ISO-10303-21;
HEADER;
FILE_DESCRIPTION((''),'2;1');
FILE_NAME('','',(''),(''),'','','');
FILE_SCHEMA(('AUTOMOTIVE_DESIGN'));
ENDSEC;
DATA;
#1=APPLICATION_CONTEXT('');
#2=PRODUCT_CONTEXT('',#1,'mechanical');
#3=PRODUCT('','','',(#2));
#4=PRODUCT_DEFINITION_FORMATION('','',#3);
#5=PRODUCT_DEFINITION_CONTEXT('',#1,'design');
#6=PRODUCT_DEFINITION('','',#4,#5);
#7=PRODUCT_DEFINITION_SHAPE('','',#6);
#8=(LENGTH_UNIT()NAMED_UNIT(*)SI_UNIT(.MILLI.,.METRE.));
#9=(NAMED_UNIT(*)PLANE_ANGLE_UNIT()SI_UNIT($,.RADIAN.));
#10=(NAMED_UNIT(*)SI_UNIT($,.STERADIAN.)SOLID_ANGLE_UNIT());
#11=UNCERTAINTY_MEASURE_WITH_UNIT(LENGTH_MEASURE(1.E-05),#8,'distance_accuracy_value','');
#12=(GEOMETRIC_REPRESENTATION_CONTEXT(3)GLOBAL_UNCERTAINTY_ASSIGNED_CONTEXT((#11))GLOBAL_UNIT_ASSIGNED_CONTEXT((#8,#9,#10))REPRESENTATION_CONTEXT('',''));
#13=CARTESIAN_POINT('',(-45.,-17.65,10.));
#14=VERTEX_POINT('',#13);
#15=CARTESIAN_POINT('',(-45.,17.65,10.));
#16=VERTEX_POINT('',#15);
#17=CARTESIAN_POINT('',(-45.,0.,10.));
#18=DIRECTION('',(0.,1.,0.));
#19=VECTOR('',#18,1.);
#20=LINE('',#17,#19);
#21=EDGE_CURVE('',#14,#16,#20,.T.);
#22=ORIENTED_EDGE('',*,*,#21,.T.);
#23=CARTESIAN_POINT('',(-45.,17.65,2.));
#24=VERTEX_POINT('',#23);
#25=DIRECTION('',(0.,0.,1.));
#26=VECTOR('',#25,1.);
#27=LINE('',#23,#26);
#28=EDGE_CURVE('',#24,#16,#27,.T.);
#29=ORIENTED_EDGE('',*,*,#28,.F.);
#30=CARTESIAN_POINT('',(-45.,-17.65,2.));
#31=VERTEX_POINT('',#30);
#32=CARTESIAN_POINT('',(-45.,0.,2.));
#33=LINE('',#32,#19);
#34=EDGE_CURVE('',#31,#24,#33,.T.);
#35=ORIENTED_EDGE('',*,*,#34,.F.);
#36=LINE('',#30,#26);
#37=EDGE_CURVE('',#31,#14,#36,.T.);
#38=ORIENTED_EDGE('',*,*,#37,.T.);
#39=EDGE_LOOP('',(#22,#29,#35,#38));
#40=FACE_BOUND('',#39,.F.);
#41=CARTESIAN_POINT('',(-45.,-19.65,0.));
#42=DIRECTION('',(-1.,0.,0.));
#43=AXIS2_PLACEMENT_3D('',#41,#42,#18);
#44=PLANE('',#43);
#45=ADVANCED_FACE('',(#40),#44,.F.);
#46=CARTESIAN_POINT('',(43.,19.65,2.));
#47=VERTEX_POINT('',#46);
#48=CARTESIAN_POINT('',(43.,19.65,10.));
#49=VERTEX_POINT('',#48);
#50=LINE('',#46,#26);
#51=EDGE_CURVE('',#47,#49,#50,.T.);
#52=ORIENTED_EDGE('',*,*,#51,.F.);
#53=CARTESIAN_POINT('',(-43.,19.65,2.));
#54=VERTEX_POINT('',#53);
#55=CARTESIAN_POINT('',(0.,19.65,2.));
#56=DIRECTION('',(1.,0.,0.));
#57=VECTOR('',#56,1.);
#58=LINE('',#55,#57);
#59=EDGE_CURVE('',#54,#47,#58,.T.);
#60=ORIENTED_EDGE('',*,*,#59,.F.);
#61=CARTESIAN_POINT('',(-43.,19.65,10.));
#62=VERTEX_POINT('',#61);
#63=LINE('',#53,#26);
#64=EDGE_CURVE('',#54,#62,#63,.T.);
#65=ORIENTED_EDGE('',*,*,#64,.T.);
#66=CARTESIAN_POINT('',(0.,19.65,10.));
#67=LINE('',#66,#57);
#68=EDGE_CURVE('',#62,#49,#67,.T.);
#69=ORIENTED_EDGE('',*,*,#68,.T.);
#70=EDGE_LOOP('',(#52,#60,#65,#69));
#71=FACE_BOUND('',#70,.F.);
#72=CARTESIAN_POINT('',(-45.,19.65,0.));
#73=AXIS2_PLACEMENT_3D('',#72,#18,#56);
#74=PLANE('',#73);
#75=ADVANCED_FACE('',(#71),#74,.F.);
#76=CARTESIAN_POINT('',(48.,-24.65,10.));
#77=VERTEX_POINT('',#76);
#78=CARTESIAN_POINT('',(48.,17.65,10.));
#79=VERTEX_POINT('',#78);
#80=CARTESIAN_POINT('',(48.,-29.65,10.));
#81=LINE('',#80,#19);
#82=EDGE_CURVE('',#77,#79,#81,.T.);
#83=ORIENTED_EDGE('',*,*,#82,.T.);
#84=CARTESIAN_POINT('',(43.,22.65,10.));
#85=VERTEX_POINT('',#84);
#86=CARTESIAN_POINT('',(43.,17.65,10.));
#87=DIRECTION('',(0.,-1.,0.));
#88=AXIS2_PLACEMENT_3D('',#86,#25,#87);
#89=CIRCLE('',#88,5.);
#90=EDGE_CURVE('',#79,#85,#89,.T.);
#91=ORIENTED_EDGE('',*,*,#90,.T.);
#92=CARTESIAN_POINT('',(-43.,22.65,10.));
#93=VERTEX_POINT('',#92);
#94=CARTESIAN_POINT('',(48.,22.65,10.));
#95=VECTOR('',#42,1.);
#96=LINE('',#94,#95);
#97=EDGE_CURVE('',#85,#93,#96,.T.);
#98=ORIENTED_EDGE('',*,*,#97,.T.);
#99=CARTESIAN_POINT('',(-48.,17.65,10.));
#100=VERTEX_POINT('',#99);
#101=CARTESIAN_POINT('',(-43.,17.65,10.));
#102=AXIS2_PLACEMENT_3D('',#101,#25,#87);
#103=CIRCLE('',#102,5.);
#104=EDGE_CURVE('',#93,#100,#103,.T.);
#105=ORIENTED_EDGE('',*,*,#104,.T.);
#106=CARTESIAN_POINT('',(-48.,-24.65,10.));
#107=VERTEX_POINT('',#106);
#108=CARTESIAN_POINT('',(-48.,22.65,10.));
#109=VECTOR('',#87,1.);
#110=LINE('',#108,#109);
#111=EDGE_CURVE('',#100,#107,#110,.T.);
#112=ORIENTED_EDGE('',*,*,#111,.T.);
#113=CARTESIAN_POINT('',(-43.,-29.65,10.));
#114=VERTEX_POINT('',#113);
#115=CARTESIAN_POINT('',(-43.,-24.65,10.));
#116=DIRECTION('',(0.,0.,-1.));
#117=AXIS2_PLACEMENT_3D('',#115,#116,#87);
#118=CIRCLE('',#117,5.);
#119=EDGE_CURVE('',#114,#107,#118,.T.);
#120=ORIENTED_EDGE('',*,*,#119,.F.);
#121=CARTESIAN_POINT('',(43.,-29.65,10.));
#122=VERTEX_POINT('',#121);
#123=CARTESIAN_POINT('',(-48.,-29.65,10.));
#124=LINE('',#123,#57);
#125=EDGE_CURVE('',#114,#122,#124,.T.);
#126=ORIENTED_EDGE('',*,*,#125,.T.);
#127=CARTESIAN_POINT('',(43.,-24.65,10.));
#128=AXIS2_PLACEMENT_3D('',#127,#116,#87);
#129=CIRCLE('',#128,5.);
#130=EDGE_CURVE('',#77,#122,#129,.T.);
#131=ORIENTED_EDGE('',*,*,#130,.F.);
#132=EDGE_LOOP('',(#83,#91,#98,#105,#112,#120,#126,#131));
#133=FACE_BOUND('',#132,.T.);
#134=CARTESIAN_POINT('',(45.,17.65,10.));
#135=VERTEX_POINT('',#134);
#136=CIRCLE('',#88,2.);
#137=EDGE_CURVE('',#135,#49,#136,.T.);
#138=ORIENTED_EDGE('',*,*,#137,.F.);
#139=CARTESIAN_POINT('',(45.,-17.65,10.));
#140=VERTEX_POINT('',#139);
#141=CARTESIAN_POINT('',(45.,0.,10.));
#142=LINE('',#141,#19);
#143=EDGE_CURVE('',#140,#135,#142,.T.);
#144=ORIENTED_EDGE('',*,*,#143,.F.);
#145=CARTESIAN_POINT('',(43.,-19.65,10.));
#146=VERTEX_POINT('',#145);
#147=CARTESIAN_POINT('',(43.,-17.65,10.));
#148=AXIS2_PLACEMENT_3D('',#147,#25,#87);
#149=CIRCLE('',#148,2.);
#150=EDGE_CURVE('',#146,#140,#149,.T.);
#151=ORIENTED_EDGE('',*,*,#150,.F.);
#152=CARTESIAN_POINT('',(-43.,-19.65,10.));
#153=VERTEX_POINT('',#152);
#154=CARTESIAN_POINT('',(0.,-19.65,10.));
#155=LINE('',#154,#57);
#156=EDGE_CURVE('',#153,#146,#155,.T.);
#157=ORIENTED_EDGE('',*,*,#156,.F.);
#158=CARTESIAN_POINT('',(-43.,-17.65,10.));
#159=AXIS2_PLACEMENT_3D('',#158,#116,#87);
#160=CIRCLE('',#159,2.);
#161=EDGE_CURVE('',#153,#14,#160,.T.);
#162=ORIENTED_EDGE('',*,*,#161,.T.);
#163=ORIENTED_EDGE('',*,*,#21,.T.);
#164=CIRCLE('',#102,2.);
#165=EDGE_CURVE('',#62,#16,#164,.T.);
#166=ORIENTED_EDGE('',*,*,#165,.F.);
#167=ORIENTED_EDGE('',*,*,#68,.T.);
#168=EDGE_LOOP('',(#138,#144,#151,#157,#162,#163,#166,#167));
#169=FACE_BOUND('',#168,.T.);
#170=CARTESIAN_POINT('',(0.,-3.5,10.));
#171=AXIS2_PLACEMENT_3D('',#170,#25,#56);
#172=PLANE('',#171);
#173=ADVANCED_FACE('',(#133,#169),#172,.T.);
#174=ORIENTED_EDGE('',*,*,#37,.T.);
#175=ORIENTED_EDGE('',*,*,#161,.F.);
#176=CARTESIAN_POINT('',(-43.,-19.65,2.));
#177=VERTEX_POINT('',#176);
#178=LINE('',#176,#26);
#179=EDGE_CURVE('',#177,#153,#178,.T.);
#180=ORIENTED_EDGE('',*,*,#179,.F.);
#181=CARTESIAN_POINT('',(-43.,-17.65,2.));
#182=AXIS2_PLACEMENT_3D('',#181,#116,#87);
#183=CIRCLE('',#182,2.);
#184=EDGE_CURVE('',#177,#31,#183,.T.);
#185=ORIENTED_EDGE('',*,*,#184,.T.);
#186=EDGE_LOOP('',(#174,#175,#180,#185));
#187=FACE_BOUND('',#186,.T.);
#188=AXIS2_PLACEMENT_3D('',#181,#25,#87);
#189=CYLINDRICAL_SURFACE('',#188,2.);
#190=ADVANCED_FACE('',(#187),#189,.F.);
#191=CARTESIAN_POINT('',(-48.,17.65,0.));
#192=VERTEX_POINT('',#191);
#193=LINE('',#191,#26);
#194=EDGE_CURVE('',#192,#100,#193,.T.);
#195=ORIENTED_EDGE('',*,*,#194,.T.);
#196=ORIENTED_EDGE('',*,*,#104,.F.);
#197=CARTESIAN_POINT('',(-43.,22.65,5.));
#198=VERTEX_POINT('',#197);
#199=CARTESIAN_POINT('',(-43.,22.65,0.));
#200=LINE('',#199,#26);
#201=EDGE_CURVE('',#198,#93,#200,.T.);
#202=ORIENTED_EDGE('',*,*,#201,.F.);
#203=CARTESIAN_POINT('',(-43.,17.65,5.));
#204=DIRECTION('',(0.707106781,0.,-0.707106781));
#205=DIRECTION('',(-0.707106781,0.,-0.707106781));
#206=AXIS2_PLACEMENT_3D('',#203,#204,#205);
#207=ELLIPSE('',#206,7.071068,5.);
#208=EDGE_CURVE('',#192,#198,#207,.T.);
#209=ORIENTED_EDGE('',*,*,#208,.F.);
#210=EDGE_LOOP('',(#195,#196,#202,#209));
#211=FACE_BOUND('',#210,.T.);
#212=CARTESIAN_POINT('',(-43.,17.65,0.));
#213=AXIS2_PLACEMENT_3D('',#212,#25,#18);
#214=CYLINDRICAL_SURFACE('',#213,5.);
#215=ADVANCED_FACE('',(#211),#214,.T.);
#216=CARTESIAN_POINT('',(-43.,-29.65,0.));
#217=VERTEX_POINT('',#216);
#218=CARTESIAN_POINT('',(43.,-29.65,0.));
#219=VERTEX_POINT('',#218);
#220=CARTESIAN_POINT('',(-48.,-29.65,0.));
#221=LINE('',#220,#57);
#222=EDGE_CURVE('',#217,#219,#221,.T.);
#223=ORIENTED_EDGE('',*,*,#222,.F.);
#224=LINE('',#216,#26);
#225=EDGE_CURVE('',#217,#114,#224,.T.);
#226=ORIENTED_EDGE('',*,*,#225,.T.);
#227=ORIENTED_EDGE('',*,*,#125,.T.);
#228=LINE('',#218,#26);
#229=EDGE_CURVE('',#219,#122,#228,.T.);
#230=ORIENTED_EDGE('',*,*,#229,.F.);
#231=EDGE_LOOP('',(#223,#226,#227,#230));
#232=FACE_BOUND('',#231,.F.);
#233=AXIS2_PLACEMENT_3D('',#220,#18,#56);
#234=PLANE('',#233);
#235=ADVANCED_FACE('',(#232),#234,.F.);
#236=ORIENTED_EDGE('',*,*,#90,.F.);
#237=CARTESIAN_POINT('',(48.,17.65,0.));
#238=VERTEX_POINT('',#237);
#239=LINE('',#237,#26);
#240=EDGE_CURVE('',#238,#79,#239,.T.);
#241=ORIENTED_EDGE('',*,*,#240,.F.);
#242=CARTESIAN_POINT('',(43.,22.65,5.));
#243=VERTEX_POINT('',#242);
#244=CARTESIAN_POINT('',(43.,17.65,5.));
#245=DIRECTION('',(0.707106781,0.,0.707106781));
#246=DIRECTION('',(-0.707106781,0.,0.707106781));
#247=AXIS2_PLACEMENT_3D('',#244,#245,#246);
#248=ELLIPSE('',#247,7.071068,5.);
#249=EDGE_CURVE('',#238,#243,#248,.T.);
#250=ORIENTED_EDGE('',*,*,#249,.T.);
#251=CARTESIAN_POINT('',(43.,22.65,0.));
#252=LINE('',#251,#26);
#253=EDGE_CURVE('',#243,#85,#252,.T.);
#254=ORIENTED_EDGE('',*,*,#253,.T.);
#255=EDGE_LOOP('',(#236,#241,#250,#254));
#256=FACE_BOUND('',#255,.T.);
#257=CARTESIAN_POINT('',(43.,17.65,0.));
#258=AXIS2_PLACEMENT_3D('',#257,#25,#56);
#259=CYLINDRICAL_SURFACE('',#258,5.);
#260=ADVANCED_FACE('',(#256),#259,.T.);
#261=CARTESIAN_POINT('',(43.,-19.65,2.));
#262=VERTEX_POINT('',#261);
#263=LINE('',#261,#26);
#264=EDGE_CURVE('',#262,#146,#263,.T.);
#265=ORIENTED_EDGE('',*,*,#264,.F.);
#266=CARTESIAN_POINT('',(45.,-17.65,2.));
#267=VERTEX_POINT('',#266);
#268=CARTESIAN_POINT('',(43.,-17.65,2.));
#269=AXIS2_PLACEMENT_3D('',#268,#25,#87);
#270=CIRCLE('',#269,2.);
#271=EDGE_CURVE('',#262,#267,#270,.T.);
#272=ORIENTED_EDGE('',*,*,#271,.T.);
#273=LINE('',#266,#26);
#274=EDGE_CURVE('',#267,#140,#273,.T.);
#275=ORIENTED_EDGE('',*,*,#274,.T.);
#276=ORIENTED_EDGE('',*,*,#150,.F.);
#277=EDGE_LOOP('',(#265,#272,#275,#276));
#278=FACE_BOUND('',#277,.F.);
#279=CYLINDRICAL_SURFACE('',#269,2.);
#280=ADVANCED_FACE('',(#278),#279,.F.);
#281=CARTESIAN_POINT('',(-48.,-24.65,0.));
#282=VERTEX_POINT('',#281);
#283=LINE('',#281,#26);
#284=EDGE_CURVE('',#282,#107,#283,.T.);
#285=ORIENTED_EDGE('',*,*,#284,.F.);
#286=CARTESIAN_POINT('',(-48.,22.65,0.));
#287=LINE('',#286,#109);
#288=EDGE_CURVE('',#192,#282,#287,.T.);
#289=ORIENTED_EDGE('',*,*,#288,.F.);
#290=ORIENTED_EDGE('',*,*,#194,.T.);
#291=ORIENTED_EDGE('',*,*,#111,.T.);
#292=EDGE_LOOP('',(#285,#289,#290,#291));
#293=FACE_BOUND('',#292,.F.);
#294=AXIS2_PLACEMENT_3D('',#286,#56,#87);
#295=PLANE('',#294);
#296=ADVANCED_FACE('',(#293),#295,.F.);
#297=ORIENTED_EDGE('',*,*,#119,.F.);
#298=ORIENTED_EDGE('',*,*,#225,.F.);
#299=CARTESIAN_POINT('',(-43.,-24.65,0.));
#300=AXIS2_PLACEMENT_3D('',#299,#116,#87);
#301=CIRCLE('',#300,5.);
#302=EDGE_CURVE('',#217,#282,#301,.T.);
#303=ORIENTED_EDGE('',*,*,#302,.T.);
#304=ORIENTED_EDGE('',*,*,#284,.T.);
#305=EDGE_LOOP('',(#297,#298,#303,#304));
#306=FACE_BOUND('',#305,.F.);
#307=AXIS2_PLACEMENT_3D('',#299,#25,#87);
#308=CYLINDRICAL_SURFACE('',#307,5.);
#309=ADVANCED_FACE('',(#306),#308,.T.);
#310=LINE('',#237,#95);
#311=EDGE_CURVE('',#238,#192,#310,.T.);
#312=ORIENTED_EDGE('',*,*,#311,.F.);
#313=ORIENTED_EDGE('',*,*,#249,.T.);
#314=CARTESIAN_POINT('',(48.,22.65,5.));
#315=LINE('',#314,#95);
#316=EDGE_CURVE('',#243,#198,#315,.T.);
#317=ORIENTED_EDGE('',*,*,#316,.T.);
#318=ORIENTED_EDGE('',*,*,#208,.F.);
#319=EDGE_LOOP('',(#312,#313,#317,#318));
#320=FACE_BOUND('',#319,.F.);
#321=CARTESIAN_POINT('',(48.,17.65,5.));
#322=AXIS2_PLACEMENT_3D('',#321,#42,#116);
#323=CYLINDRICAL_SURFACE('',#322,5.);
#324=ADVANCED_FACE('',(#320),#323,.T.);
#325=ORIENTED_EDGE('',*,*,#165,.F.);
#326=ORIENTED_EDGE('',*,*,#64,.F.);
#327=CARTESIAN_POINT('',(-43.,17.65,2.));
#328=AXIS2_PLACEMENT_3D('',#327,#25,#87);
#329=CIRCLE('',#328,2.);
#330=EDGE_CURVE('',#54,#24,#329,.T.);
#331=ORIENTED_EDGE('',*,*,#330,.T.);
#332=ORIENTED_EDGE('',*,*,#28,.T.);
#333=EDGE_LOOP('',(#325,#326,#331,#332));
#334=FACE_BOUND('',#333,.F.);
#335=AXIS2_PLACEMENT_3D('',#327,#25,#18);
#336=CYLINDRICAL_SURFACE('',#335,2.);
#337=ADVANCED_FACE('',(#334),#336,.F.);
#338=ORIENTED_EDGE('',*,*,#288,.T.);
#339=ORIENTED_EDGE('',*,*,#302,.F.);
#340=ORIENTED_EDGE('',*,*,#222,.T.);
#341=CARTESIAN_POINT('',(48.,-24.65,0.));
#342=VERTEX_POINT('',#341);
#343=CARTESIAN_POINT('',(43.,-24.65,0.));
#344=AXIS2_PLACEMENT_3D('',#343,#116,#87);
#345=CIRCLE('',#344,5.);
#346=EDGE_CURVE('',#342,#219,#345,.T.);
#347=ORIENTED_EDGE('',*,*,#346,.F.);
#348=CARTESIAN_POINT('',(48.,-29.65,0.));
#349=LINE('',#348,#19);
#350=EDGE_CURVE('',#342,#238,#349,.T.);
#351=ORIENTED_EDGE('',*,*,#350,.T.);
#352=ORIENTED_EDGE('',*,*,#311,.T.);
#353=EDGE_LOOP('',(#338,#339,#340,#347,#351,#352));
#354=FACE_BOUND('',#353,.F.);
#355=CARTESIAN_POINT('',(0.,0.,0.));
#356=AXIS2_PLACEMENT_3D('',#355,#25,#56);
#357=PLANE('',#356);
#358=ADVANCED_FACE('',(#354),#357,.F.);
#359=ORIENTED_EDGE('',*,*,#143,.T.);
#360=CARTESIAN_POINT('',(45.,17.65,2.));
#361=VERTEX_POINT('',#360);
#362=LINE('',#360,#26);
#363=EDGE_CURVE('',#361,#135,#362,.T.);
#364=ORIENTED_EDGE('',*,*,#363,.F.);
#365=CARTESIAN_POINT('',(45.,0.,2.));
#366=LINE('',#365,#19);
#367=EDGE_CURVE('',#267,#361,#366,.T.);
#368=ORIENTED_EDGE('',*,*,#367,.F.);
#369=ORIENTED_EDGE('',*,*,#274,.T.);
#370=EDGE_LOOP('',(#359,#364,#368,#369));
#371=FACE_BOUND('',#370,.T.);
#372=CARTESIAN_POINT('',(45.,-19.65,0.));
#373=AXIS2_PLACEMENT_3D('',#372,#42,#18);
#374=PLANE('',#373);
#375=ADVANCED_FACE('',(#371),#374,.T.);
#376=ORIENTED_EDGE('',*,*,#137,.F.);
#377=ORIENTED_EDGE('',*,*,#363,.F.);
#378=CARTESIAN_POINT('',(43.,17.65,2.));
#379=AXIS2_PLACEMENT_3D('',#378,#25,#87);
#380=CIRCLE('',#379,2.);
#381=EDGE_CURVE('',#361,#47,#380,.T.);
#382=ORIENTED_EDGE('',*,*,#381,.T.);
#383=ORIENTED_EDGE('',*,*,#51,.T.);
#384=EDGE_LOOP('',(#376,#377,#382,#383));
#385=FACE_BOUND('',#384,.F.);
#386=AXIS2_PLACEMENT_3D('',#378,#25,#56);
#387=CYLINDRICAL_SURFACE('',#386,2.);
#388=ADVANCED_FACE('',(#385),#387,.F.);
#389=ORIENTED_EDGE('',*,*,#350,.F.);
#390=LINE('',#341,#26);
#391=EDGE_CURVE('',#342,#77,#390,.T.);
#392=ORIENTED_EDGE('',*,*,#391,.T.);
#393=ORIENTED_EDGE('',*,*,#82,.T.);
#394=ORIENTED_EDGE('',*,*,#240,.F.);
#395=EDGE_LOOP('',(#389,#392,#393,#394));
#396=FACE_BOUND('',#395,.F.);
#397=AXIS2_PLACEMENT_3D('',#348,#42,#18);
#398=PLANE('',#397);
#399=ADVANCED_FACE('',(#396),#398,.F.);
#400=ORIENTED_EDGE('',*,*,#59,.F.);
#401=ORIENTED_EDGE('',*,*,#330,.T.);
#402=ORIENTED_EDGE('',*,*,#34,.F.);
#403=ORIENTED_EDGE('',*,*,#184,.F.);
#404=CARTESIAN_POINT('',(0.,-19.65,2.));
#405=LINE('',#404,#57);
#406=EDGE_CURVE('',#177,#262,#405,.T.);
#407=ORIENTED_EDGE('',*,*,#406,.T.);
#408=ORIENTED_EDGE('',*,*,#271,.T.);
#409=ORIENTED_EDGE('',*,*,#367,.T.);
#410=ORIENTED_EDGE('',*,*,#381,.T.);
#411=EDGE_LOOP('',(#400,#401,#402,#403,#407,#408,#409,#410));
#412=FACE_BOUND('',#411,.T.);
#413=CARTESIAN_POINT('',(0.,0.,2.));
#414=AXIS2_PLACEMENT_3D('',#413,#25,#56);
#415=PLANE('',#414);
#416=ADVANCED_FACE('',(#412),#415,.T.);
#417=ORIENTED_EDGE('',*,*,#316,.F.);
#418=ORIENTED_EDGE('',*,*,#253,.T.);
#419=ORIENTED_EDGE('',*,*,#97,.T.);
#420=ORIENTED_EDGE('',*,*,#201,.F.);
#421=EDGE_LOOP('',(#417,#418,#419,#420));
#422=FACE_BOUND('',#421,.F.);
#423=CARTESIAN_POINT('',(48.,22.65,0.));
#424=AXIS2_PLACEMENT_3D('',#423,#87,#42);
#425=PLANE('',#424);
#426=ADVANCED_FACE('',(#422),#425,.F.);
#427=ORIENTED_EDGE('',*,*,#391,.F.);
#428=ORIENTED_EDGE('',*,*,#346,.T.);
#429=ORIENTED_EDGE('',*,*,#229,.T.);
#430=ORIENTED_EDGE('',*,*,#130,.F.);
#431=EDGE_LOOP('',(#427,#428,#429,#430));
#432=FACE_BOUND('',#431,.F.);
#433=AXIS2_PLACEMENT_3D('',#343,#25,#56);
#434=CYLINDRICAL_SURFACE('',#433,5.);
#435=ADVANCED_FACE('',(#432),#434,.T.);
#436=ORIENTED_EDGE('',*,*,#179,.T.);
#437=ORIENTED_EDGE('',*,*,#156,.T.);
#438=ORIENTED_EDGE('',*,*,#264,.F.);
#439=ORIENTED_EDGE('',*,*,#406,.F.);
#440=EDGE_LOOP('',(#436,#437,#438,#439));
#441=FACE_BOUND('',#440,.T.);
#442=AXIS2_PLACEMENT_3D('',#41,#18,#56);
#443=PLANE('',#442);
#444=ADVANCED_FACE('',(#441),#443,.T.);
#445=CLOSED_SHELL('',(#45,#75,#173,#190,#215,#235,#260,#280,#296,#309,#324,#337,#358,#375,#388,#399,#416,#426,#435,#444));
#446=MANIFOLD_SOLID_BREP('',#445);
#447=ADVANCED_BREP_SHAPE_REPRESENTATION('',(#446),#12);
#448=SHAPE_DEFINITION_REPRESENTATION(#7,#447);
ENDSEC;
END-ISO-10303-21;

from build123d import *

# Parameters (mm, degrees)
F0_W     = 90
F0_H     = 39.3
F1_DEPTH = 10
F2_DEPTH = 2
F3_R     = 5
F4_R     = 2


with BuildPart() as f1:
    # F0 (on Top) → F1 (new body)
    with BuildSketch(Plane.XY):
        Polygon((-45, -29.65), (45, -29.65), (48, -29.65), (48, 19.65), (48, 22.65), (-48, 22.65), (-48, 19.65), (-48, -29.65), align=None)
        Rectangle(F0_W, F0_H, mode=Mode.SUBTRACT)
    extrude(amount=F1_DEPTH)

    # F0 (on Top) → F2 (join)
    with BuildSketch(Plane.XY):
        Rectangle(F0_W, F0_H)
    extrude(amount=F2_DEPTH)

    # F3
    f3_edges = [f1.edges().sort_by_distance(p)[0] for p in [
        (0, 22.65, 0),
        (-48, 22.65, 5),
        (48, 22.65, 5),
        (-48, -29.65, 5),
        (48, -29.65, 5),
    ]]
    fillet(f3_edges, radius=F3_R)

    # F4
    f4_edges = [f1.edges().sort_by_distance(p)[0] for p in [
        (-45, 19.65, 6),
        (45, 19.65, 6),
        (45, -19.65, 6),
        (-45, -19.65, 6),
    ]]
    fillet(f4_edges, radius=F4_R)


solid = f1.part
